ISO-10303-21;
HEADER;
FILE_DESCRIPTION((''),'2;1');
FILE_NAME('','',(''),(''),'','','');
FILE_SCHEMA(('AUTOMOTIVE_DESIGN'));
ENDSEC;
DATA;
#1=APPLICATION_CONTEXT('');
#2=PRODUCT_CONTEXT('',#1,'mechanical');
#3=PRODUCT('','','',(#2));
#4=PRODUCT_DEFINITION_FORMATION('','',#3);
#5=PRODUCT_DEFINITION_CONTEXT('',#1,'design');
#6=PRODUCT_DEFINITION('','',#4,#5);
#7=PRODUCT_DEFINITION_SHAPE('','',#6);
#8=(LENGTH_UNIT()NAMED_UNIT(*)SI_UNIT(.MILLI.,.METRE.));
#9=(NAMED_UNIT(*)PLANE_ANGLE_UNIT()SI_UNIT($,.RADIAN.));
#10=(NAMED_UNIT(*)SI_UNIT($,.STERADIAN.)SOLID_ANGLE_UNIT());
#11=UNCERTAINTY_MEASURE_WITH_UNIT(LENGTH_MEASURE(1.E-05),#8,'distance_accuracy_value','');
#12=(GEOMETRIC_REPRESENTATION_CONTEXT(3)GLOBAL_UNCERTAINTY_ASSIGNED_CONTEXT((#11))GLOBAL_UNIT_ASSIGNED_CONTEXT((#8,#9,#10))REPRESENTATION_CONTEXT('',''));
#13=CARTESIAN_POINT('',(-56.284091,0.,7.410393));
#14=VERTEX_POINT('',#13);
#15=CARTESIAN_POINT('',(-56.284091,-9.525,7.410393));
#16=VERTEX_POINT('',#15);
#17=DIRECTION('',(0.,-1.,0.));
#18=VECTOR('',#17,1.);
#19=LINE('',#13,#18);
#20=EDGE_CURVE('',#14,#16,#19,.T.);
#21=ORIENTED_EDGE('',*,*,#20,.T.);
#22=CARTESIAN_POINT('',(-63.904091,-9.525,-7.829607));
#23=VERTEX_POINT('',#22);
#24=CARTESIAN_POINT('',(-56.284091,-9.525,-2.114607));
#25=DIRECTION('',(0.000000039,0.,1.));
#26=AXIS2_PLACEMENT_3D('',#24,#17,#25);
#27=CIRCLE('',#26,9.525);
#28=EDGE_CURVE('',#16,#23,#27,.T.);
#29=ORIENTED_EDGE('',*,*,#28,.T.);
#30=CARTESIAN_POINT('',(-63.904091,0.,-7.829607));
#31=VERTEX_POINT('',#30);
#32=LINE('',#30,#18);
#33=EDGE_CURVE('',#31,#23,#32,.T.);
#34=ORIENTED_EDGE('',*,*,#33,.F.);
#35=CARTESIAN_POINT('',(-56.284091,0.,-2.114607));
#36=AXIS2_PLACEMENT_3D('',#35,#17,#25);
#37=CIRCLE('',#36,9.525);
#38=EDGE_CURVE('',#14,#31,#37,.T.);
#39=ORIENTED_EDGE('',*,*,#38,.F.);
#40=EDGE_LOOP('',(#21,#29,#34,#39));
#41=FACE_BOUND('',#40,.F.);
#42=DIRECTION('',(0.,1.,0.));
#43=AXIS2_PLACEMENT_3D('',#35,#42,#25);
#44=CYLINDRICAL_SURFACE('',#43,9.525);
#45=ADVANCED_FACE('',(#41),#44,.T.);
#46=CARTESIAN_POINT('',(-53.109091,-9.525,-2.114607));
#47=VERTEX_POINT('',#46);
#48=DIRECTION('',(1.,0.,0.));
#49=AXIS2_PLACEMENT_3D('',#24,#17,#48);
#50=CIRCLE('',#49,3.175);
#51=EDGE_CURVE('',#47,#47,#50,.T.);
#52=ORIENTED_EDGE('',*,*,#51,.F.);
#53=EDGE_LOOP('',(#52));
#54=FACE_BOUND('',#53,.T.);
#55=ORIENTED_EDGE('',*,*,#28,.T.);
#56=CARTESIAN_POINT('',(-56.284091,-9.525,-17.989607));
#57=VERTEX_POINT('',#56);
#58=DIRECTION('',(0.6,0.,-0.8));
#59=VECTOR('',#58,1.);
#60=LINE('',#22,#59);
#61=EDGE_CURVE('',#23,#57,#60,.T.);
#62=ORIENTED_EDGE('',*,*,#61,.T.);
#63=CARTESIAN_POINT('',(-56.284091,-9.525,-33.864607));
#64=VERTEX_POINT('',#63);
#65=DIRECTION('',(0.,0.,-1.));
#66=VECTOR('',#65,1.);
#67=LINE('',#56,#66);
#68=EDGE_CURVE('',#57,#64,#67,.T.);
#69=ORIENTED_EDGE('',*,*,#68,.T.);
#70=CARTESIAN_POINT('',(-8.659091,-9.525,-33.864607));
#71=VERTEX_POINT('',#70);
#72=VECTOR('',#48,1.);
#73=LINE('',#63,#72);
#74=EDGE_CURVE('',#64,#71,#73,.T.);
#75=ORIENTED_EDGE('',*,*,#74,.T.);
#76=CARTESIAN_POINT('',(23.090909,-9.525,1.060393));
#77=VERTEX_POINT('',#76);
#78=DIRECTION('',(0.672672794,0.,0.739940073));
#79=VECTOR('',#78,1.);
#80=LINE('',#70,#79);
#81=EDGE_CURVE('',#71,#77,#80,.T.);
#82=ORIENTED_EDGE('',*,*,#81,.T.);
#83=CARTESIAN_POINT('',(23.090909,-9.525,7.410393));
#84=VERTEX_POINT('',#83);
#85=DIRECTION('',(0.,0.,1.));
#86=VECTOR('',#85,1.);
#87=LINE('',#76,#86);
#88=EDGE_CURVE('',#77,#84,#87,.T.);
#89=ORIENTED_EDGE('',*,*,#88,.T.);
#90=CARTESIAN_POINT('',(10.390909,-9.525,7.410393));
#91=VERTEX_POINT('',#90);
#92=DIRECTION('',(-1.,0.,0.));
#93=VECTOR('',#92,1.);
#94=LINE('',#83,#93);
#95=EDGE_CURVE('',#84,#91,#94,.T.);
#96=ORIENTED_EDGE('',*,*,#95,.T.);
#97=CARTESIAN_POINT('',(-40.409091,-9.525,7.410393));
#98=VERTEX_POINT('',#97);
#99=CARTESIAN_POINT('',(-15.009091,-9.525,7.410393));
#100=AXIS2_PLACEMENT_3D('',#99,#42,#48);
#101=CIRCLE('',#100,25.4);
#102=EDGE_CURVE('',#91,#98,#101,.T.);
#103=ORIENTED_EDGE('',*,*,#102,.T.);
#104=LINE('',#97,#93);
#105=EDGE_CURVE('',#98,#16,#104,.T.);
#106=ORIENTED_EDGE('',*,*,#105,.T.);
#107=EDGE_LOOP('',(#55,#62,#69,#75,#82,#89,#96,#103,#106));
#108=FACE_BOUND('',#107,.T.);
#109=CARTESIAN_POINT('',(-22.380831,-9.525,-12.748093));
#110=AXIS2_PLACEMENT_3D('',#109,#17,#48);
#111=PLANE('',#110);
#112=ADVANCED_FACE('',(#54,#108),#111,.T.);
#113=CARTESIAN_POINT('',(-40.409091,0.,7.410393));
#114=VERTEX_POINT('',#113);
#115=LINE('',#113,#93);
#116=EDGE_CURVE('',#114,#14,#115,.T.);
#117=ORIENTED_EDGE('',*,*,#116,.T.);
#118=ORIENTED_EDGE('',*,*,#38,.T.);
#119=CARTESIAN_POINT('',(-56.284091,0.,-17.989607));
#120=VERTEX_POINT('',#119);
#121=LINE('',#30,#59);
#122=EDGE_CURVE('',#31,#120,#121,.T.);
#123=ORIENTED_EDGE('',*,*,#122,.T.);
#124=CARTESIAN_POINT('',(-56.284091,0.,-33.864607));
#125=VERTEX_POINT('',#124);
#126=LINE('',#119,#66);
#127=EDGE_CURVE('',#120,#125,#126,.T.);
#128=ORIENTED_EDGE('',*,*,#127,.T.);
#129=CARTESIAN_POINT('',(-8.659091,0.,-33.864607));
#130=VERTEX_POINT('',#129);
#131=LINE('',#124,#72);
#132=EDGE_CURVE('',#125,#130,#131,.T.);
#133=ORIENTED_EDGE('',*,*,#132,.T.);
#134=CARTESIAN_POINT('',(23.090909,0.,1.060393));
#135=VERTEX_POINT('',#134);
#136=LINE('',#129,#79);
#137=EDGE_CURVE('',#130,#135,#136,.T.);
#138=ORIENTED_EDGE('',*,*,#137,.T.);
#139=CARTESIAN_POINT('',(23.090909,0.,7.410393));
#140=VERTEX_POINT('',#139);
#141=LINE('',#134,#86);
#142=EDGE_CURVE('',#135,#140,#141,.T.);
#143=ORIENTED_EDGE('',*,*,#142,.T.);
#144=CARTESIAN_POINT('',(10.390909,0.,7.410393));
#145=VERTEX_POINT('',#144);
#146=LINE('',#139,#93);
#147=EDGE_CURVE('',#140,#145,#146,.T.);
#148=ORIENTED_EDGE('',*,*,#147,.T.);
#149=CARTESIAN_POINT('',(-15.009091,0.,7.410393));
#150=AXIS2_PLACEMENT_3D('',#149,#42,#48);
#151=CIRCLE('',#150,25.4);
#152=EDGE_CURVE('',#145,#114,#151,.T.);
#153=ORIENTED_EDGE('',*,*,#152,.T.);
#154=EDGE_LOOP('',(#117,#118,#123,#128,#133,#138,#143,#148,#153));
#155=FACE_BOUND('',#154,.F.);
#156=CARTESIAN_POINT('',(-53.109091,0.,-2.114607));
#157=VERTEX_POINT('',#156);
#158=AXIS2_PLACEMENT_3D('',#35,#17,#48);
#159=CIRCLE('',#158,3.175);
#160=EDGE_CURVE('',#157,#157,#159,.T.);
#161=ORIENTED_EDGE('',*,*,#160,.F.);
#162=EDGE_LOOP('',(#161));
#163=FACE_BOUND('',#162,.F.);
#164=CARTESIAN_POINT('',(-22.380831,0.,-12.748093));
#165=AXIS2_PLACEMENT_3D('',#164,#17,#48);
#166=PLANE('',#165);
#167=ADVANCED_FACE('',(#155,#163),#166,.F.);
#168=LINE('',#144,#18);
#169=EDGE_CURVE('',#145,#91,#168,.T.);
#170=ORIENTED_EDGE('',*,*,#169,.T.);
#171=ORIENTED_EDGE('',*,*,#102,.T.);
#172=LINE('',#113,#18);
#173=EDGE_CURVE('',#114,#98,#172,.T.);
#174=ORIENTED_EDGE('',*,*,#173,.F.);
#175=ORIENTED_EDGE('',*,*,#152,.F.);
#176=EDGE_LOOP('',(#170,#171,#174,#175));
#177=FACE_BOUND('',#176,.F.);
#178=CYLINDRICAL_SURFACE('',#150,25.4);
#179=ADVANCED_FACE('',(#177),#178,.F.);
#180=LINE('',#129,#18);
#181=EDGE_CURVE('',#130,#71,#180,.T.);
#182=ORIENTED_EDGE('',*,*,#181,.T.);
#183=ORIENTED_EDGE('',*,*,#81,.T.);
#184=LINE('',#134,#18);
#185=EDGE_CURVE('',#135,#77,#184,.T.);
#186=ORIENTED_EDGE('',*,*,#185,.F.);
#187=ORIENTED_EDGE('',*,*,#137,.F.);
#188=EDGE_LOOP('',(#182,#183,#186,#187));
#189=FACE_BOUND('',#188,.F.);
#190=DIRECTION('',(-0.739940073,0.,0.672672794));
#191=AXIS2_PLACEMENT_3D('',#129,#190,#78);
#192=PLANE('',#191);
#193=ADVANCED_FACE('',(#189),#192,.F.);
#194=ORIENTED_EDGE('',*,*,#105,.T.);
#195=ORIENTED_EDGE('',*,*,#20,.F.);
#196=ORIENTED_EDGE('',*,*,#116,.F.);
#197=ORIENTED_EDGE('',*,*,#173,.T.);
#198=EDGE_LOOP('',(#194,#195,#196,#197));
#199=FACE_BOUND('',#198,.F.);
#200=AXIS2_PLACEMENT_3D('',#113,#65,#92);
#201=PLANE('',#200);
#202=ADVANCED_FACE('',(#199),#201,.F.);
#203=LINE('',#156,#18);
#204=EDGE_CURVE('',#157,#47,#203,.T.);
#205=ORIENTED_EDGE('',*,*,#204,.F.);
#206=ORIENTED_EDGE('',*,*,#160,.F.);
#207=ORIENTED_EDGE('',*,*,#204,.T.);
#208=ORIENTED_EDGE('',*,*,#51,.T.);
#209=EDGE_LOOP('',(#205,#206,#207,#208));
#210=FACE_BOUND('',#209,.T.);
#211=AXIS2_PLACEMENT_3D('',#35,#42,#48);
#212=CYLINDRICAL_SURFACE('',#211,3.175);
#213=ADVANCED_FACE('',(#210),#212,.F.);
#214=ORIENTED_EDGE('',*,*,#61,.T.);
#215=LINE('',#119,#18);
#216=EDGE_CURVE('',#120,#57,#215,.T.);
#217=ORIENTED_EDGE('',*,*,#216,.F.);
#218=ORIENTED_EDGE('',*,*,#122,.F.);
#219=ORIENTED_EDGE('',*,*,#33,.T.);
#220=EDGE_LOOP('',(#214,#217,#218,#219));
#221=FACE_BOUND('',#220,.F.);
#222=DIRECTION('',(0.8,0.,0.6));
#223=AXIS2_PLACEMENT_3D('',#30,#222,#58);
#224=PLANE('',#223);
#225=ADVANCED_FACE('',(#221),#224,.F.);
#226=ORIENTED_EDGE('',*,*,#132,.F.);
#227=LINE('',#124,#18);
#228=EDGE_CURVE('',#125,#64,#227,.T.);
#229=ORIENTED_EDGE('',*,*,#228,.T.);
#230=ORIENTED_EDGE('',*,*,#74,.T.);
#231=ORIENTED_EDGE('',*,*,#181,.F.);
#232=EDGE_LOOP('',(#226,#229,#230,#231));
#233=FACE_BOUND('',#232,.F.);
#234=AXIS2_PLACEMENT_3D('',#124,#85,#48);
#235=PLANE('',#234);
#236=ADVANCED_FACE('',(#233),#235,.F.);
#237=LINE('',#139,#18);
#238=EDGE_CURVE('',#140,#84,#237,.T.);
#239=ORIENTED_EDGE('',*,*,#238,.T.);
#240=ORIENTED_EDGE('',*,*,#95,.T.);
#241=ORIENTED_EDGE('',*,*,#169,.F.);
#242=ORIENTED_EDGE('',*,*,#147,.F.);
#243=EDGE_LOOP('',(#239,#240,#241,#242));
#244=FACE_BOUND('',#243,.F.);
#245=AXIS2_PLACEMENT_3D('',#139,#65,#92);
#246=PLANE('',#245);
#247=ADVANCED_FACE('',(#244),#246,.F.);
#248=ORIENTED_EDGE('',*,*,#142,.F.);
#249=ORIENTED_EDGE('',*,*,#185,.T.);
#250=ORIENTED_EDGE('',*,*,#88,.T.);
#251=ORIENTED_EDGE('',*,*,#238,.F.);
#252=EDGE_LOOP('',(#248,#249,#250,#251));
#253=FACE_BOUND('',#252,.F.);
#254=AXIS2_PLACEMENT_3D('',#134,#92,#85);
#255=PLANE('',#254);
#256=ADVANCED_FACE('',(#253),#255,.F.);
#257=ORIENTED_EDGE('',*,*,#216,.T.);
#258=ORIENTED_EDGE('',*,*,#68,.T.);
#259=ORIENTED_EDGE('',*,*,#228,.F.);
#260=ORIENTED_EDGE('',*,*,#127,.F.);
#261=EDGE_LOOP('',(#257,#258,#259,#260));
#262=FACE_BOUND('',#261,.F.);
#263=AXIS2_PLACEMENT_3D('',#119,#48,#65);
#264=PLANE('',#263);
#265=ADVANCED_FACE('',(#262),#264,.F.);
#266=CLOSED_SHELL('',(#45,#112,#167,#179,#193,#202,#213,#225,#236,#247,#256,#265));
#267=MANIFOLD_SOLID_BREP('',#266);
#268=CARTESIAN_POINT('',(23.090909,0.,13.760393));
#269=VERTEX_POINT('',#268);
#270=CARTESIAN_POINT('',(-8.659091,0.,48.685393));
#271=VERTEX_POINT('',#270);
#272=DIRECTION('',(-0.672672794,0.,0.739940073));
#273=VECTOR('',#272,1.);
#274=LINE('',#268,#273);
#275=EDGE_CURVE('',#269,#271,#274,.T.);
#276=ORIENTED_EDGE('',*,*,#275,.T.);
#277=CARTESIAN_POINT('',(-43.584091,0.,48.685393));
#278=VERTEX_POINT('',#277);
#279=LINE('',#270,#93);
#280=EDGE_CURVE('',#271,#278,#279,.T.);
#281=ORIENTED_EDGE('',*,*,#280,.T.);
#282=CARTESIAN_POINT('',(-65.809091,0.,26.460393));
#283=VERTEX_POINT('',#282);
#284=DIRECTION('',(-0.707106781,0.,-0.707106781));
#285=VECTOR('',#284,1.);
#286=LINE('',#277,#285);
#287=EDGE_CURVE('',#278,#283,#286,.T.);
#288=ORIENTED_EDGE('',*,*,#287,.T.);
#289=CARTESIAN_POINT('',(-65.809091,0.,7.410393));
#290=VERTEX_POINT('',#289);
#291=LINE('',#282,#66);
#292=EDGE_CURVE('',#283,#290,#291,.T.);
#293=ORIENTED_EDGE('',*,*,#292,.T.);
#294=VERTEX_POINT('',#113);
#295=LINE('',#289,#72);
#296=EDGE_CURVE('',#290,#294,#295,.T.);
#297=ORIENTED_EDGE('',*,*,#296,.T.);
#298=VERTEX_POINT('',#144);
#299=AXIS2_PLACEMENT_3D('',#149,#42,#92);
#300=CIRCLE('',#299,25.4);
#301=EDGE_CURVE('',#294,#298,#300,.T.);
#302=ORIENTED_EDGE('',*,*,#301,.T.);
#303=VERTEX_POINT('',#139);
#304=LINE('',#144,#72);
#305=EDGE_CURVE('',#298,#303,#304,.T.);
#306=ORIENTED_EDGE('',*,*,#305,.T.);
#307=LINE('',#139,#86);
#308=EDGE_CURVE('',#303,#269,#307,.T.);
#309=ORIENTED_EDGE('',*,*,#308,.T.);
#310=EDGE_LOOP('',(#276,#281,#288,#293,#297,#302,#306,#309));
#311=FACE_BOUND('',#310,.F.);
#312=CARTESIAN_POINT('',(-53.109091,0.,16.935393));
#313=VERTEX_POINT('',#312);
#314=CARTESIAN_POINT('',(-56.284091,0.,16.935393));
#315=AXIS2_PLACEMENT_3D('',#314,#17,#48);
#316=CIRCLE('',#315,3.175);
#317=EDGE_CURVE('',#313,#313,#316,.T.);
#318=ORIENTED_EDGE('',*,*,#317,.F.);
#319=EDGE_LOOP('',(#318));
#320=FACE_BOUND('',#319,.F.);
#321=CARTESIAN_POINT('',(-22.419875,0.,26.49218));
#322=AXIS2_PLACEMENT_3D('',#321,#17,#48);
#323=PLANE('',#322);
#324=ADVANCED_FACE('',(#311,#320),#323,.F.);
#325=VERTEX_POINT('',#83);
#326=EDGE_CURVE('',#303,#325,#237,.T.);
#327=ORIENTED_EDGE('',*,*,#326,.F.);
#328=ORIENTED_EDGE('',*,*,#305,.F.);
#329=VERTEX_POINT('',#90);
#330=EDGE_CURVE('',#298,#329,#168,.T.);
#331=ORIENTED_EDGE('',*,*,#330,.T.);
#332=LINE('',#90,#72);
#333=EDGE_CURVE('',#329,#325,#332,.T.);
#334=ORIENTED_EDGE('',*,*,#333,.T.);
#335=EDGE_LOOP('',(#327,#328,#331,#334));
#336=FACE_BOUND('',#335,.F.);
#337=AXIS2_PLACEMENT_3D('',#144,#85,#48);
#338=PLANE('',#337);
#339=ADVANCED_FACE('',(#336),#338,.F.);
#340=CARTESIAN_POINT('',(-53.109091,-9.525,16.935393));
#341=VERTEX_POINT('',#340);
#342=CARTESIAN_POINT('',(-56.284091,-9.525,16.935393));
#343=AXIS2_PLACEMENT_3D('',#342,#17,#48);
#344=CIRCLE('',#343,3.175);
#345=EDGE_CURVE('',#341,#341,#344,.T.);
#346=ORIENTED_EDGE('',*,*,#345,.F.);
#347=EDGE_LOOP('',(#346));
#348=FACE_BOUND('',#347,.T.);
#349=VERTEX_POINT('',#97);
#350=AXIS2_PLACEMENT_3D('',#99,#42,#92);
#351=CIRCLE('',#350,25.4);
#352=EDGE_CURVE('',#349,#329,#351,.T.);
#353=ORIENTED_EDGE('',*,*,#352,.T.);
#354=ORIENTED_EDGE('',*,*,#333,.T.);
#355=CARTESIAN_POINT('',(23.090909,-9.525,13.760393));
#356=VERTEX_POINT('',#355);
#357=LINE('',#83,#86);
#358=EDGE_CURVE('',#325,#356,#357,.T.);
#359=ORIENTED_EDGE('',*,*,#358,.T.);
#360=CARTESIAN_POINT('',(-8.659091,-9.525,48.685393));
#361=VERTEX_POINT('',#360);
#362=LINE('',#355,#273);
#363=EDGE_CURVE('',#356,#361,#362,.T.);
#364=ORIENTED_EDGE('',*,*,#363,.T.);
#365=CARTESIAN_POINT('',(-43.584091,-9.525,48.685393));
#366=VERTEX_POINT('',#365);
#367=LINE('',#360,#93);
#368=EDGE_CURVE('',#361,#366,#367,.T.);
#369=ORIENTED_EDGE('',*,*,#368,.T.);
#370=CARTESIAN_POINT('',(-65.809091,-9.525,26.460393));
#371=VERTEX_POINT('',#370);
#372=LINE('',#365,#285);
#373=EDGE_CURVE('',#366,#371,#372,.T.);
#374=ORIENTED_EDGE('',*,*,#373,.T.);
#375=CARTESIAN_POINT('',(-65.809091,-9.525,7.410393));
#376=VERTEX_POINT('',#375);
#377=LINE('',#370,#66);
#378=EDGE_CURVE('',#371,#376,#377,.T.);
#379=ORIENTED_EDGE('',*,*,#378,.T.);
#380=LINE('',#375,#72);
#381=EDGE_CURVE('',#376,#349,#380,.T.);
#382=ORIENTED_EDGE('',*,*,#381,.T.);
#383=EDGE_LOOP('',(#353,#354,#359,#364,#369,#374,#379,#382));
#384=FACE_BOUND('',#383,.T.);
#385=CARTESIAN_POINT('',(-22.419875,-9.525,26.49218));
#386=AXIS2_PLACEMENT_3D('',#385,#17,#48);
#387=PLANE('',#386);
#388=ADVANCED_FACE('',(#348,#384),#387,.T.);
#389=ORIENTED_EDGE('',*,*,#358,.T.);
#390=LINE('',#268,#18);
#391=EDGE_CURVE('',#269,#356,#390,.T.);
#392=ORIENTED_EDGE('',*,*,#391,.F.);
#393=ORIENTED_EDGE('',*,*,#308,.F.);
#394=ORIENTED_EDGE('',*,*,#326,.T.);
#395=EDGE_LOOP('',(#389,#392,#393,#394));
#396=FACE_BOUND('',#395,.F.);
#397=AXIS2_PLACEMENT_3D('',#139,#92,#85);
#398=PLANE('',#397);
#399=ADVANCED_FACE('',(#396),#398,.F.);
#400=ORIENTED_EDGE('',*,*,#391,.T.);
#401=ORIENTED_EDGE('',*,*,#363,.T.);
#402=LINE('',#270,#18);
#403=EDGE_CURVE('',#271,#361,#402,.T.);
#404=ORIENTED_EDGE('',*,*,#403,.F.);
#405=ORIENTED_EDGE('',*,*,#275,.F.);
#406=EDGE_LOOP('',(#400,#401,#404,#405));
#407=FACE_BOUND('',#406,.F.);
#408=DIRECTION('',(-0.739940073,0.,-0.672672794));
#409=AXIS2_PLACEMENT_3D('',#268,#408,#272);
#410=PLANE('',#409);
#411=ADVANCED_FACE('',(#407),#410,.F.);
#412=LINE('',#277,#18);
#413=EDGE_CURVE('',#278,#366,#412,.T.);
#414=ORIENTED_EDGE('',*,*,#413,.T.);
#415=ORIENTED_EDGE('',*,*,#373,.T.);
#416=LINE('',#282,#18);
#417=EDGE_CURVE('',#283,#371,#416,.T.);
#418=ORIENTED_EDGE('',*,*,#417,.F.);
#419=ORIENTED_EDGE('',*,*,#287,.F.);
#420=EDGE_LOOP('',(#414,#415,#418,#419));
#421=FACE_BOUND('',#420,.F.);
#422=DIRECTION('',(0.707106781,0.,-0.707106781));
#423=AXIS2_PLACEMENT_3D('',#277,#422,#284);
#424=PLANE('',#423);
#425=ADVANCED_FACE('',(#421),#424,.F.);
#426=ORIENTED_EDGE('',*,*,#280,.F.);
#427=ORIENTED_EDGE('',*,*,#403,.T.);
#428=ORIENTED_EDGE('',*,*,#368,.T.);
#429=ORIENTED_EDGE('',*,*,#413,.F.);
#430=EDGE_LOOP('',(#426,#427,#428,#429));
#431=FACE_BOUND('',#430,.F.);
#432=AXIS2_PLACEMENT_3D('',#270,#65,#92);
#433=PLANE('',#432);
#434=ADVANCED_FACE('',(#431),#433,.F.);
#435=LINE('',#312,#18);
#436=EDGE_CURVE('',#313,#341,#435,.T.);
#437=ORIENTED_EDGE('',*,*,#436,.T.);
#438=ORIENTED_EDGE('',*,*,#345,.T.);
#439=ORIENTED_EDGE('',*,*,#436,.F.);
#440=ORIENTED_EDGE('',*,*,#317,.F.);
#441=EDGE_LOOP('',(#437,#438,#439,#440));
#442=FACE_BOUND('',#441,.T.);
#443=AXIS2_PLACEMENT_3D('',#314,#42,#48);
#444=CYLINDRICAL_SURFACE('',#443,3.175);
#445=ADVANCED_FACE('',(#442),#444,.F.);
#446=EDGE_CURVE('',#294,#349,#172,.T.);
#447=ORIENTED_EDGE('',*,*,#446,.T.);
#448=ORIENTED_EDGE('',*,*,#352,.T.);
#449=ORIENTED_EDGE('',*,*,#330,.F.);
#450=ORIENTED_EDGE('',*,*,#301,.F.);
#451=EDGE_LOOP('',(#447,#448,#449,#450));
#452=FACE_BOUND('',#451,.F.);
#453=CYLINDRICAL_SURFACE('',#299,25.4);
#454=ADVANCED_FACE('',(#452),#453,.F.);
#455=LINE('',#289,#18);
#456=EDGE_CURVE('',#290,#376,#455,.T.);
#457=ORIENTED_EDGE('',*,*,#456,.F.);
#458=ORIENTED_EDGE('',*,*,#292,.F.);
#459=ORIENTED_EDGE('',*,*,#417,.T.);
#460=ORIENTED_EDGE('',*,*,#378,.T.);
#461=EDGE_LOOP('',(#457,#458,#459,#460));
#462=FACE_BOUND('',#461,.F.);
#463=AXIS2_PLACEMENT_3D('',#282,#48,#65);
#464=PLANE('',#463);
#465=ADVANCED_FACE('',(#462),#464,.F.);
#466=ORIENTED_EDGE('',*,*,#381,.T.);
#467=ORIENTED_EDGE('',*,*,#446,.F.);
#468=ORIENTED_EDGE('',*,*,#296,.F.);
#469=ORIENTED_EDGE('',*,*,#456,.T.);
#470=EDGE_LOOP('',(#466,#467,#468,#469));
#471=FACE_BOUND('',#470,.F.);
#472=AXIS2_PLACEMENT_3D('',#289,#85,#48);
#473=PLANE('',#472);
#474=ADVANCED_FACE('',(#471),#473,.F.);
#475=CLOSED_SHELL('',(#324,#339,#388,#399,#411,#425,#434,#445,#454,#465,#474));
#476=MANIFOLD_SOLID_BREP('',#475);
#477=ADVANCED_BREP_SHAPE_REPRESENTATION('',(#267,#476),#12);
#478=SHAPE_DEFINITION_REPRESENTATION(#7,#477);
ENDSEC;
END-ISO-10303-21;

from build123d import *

# Parameters (mm, degrees)
F0_R     = 3.175
F1_DEPTH = 9.525
F2_DEPTH = 9.525


with BuildPart() as f1:
    # F0 (on Front) → F1 (new body)
    with BuildSketch(Plane.XZ):
        with BuildLine():
            Line((10.390909, 7.410393), (23.090909, 7.410393))
            Line((23.090909, 7.410393), (23.090909, 13.760393))
            Line((23.090909, 13.760393), (-8.659091, 48.685393))
            Line((-8.659091, 48.685393), (-43.584091, 48.685393))
            Line((-43.584091, 48.685393), (-65.809091, 26.460393))
            Line((-65.809091, 26.460393), (-65.809091, 7.410393))
            Line((-65.809091, 7.410393), (-56.284091, 7.410393))
            Line((-56.284091, 7.410393), (-40.409091, 7.410393))
            ThreePointArc((-40.409091, 7.410393), (-15.009091, 32.810393), (10.390909, 7.410393))
        make_face()
        with Locations((-56.284091, 16.935393)):
            Circle(F0_R, mode=Mode.SUBTRACT)
    extrude(amount=F1_DEPTH)


with BuildPart() as f2:
    # F0 (on Front) → F2 (new body)
    with BuildSketch(Plane.XZ):
        with BuildLine():
            Line((-56.284091, -17.989607), (-56.284091, -33.864607))
            Line((-56.284091, -33.864607), (-8.659091, -33.864607))
            Line((-8.659091, -33.864607), (23.090909, 1.060393))
            Line((23.090909, 1.060393), (23.090909, 7.410393))
            Line((23.090909, 7.410393), (10.390909, 7.410393))
            ThreePointArc((10.390909, 7.410393), (-15.009091, -17.989607), (-40.409091, 7.410393))
            Line((-40.409091, 7.410393), (-56.284091, 7.410393))
            ThreePointArc((-56.284091, 7.410393), (-64.80351, 2.145103), (-63.904091, -7.829607))
            Line((-63.904091, -7.829607), (-56.284091, -17.989607))
        make_face()
        with Locations((-56.284091, -2.114607)):
            Circle(F0_R, mode=Mode.SUBTRACT)
    extrude(amount=F2_DEPTH)


solid = Compound([f1.part, f2.part])
